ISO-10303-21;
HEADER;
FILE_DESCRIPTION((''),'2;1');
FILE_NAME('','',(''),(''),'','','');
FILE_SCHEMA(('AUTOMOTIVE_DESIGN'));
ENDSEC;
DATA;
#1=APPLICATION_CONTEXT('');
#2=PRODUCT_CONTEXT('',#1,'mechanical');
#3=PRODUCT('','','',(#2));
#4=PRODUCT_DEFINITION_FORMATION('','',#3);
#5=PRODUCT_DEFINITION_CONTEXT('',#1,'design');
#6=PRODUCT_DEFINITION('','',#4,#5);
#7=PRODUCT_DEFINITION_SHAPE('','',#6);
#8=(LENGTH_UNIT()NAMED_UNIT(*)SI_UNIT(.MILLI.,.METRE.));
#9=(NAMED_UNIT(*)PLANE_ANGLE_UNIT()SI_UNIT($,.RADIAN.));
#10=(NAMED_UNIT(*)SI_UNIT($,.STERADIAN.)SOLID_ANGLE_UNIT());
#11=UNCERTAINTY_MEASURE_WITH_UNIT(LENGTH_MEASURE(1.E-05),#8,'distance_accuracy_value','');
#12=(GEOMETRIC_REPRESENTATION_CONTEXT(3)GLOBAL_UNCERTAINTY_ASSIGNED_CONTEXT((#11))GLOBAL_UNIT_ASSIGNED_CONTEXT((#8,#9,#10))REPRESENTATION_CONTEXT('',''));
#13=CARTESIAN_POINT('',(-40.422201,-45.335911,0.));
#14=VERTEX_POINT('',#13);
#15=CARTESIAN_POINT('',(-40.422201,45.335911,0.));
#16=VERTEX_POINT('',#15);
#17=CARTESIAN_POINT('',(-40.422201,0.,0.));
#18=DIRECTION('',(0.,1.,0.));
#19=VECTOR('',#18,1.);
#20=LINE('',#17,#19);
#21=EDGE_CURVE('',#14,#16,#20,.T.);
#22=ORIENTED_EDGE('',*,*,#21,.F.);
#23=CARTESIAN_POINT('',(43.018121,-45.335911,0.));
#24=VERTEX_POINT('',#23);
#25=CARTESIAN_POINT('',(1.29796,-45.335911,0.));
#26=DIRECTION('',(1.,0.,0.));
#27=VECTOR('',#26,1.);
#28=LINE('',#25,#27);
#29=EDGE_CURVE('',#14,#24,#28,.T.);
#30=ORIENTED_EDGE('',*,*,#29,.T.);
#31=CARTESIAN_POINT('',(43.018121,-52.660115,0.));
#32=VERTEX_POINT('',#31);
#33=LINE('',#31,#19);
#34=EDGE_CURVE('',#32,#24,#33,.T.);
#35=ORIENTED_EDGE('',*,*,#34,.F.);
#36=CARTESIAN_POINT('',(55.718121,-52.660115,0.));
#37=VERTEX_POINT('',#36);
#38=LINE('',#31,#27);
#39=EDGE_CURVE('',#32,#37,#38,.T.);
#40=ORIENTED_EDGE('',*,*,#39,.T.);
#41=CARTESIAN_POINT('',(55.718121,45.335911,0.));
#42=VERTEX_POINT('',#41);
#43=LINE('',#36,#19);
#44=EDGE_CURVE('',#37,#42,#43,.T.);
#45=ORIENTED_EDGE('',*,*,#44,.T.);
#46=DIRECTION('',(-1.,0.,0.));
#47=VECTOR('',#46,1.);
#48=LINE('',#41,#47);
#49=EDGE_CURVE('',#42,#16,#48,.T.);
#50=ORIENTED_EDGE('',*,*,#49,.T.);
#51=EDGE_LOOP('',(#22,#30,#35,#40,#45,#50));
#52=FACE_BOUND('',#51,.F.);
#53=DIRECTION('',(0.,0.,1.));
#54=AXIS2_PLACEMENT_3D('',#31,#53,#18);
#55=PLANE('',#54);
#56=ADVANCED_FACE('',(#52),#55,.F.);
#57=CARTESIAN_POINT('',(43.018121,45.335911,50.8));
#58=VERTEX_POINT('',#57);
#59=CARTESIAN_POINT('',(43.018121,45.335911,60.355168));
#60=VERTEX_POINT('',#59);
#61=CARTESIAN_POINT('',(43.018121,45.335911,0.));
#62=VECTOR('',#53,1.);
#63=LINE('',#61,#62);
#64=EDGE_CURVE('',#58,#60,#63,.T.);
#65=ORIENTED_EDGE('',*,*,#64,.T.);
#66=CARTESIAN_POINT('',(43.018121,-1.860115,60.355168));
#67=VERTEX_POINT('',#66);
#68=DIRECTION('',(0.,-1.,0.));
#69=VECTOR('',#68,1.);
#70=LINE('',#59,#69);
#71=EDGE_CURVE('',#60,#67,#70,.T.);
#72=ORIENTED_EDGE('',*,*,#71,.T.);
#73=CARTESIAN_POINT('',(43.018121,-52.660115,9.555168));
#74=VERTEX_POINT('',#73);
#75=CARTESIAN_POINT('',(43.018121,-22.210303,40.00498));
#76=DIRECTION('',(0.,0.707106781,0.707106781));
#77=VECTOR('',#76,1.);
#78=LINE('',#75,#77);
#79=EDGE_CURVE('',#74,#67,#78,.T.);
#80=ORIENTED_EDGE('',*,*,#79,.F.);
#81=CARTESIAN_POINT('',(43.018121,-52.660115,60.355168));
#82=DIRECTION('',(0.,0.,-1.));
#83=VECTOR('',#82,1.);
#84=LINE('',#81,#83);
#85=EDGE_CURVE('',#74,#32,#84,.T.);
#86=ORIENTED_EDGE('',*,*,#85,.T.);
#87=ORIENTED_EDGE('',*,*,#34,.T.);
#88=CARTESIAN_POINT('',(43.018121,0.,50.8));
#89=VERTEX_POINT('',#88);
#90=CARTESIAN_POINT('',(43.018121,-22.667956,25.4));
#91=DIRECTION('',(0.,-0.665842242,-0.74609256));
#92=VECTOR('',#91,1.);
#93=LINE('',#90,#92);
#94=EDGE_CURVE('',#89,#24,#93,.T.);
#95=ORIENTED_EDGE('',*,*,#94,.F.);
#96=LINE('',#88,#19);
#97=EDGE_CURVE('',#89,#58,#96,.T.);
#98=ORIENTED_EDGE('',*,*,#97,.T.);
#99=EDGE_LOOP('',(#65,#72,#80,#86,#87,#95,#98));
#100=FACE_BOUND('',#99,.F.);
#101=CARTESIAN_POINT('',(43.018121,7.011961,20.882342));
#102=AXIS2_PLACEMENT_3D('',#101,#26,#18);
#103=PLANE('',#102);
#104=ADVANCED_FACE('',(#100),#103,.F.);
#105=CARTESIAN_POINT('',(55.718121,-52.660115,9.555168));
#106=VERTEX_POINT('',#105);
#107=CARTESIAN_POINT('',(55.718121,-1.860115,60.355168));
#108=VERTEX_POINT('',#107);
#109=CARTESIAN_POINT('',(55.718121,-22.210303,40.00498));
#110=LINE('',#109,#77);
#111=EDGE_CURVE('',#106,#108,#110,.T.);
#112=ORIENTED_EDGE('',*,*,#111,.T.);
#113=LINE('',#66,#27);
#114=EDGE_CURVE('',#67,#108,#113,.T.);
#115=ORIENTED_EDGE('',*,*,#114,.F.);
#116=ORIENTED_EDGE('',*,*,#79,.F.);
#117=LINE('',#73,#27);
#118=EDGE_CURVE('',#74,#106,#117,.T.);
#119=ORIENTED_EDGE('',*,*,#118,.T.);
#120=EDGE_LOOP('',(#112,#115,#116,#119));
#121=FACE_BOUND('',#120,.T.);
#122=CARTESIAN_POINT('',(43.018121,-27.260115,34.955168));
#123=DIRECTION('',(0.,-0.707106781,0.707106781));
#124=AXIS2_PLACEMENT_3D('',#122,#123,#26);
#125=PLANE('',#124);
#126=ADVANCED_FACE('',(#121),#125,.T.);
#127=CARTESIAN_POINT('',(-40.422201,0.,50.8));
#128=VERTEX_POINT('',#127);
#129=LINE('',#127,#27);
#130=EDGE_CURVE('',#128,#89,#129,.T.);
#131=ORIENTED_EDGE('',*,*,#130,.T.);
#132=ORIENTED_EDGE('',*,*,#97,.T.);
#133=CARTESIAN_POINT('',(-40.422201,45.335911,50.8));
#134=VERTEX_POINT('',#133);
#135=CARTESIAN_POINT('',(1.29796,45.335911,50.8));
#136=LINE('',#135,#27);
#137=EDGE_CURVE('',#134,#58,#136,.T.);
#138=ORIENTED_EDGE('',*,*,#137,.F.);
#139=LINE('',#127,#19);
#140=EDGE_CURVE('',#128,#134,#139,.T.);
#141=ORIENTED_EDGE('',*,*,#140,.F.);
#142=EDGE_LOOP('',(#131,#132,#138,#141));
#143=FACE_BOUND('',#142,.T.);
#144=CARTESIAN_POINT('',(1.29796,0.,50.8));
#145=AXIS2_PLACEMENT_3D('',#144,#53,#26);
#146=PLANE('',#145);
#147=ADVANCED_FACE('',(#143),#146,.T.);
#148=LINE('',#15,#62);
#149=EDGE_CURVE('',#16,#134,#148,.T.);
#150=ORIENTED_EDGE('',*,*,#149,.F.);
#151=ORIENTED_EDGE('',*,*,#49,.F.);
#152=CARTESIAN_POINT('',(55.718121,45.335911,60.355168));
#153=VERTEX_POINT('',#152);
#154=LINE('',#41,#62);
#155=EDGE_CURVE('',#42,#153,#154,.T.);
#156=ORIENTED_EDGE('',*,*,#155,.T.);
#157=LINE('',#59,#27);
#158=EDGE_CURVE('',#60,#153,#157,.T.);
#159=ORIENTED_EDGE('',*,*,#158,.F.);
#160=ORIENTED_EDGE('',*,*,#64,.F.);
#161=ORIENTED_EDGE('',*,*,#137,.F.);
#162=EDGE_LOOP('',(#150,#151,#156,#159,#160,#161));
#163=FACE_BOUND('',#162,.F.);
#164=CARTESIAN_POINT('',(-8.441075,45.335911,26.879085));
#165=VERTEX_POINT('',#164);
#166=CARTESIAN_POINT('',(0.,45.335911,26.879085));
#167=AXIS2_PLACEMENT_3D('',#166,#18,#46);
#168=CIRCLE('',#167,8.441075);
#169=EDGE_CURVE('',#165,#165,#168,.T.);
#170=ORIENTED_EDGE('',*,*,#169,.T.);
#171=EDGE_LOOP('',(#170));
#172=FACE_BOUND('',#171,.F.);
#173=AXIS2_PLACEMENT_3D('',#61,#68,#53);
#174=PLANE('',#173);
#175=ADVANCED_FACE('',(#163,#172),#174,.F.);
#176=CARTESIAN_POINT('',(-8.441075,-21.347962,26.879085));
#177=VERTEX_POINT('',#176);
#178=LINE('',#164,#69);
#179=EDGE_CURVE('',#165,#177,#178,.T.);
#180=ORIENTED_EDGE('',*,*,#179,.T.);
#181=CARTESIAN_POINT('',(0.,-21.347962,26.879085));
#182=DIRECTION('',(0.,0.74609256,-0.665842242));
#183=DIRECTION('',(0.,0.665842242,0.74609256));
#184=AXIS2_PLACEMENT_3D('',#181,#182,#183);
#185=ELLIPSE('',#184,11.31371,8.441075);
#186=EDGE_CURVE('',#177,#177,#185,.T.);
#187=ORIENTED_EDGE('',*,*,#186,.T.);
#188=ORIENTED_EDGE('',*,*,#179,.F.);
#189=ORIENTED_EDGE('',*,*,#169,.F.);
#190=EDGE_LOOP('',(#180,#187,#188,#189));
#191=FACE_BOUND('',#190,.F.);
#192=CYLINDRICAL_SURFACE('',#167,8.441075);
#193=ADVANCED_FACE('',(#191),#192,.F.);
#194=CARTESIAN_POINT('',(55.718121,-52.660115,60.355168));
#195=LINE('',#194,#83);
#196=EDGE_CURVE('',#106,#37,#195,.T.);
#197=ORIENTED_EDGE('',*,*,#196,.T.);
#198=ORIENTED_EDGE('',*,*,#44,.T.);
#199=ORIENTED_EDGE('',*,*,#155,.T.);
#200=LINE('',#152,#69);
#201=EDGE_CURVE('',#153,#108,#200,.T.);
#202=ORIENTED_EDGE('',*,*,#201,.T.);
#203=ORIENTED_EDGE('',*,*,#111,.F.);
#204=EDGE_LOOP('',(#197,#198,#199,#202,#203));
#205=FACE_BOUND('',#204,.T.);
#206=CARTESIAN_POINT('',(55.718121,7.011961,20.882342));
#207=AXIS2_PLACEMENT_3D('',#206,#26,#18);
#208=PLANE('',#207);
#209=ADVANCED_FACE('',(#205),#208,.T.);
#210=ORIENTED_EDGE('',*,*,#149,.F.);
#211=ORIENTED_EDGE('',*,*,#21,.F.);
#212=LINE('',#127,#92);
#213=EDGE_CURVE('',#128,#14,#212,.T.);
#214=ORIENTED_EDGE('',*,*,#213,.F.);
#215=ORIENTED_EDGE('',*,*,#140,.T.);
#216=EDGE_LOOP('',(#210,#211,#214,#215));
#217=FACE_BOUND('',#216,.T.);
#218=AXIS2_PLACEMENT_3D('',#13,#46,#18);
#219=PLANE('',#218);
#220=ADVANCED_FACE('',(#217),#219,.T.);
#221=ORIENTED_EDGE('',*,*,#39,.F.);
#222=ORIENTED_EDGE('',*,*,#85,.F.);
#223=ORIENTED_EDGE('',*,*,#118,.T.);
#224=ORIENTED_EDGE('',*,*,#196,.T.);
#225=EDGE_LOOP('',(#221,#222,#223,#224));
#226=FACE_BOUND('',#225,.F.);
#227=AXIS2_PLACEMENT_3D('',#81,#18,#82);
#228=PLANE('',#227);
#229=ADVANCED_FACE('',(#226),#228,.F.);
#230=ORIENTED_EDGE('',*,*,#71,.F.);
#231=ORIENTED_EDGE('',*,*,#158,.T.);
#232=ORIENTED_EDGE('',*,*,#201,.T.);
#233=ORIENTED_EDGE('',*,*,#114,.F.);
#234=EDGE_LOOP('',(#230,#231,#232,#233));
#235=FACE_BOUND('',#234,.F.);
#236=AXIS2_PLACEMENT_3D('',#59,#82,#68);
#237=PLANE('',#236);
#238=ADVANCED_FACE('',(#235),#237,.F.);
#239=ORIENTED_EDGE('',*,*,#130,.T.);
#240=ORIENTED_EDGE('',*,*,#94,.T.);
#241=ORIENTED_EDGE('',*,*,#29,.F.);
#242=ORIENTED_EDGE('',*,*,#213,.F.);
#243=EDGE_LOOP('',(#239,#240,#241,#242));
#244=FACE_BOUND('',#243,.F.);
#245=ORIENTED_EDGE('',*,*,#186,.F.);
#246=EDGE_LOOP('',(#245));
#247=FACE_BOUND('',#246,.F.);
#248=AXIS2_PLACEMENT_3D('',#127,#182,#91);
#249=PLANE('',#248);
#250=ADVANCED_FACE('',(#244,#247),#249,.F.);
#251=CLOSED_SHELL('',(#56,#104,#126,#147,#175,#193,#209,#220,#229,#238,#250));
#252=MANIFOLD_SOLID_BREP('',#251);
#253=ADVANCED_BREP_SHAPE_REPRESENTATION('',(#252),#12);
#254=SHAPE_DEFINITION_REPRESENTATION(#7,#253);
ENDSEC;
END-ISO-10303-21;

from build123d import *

# Parameters (mm, degrees)
F0_W     = 83.440322
F0_H     = 90.671822
F1_DEPTH = 50.8
F3_DEPTH = 83.441322
F4_R     = 8.441075
F5_DEPTH = 90.672822
F7_DEPTH = 12.7
F8_SIZE  = 50.8


with BuildPart() as f1:
    # F0 (on Top) → F1 (new body)
    with BuildSketch(Plane.XY):
        with Locations((1.29796, 0)):
            Rectangle(F0_W, F0_H)
    extrude(amount=F1_DEPTH)

    # F2 (on face) → F3 (cut, through all)
    with BuildSketch(Plane(origin=(-40.422201, 0, 0), x_dir=(0, -1, 0), z_dir=(-1, 0, 0))):
        Polygon((45.335911, 50.8), (0, 50.8), (45.335911, 0), align=None)
    extrude(amount=-F3_DEPTH, mode=Mode.SUBTRACT)

    # F4 (on face) → F5 (cut, through all)
    with BuildSketch(Plane(origin=(0, 45.335911, 0), x_dir=(-1, 0, 0), z_dir=(0, 1, 0))):
        with Locations((0, 26.879085)):
            Circle(F4_R)
    extrude(amount=-F5_DEPTH, mode=Mode.SUBTRACT)

    # F6 (on face) → F7 (join)
    with BuildSketch(Plane.YZ.offset(43.018121)):
        Polygon((-45.335911, 0), (45.335911, 0), (45.335911, 50.8), (0, 50.8), align=None)
        Polygon((-52.660115, 0), (-45.335911, 0), (0, 50.8), (45.335911, 50.8), (45.335911, 60.355168), (-52.660115, 60.355168), align=None)
    extrude(amount=F7_DEPTH)

    # F8
    f8_edges = [f1.edges().sort_by_distance(p)[0] for p in [
        (49.368121, -52.660115, 60.355168),
    ]]
    chamfer(f8_edges, length=F8_SIZE)


solid = f1.part
